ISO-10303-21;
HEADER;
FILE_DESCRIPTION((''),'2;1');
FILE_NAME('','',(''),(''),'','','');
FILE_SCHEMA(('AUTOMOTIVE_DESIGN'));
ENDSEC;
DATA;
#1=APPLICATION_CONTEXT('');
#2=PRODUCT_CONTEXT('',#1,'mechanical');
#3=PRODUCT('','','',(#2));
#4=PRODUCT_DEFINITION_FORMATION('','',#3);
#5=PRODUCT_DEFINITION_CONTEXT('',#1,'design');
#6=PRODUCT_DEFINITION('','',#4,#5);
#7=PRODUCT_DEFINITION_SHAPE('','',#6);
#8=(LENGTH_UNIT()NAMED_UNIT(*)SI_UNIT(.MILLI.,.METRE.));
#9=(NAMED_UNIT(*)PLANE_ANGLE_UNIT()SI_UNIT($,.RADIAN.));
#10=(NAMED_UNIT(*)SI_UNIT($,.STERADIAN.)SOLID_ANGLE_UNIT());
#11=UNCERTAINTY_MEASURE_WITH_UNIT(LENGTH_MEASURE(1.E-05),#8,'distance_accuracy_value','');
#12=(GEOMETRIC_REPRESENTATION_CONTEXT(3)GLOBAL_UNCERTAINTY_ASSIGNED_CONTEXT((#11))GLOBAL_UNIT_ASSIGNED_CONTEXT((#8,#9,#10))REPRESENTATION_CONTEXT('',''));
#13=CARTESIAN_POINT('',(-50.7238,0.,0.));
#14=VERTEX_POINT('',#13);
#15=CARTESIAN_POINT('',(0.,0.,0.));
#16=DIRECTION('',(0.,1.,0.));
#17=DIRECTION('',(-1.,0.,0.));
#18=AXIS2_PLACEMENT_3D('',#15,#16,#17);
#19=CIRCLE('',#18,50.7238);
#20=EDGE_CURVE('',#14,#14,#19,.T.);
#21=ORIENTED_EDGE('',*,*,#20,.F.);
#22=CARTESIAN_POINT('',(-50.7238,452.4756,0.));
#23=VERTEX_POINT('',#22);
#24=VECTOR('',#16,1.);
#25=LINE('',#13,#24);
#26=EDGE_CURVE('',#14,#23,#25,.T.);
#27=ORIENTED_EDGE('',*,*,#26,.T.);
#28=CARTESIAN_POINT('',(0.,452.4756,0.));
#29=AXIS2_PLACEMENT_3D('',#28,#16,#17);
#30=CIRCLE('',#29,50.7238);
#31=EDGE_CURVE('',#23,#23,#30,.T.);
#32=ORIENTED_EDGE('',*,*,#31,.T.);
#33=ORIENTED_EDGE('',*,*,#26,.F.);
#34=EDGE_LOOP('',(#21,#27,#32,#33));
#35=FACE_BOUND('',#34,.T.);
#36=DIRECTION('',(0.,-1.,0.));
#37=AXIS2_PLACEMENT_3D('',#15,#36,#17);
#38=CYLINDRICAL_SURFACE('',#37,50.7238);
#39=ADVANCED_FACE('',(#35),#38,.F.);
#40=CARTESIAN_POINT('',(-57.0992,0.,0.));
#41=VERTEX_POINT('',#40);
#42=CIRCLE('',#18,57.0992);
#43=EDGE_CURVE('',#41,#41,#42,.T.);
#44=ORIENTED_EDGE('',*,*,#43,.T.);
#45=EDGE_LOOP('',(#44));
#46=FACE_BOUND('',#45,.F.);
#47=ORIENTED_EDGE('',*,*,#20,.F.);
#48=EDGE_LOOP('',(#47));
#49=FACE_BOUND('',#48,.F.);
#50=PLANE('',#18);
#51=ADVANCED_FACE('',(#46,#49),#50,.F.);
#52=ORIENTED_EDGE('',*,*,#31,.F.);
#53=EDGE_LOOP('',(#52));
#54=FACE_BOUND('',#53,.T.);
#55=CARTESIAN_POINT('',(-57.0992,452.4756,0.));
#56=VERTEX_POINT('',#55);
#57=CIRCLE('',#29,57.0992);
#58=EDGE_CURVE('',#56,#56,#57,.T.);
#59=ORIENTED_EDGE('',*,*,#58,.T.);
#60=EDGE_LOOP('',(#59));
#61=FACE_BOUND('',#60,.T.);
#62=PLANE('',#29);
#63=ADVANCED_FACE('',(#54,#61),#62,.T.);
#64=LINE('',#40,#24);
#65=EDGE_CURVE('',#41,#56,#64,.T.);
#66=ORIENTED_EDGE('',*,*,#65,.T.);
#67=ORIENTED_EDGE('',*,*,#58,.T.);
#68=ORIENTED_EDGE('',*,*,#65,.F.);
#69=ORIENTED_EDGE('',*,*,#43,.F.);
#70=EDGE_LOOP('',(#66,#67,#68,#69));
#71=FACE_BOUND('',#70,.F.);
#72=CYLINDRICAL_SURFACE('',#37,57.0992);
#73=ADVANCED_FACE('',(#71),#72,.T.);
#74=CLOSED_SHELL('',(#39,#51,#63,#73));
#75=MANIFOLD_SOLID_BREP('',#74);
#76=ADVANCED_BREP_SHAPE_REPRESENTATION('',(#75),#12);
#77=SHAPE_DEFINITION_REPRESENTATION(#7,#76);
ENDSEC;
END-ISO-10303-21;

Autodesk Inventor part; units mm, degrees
ref_plane "YZ Plane" through (0, 0, 0) normal (1, 0, 0) x (0, 1, 0)
ref_plane "XZ Plane" through (0, 0, 0) normal (0, 1, 0) x (-1, 0, 0)
ref_plane "XY Plane" through (0, 0, 0) normal (0, 0, 1) x (1, 0, 0)
sketch "Sketch1" plane through (0, 0, 0) normal (0, 1, 0) x (-1, 0, 0)
  circle A0 centre (0, 0) radius 57.0992
  circle A1 centre (0, 0) radius 50.7238
  dimension "d0" = 114.1984
  dimension "d1" = 101.4476
extrude "Extrusion1" add sketch "Sketch1" along normal blind 452.4756
sketch "Sketch2" plane through (0, 0, 0) normal (0, -1, 0) x (1, 0, 0)
  point P0 (0, 0)
properties part number "Control Pipe V2"
